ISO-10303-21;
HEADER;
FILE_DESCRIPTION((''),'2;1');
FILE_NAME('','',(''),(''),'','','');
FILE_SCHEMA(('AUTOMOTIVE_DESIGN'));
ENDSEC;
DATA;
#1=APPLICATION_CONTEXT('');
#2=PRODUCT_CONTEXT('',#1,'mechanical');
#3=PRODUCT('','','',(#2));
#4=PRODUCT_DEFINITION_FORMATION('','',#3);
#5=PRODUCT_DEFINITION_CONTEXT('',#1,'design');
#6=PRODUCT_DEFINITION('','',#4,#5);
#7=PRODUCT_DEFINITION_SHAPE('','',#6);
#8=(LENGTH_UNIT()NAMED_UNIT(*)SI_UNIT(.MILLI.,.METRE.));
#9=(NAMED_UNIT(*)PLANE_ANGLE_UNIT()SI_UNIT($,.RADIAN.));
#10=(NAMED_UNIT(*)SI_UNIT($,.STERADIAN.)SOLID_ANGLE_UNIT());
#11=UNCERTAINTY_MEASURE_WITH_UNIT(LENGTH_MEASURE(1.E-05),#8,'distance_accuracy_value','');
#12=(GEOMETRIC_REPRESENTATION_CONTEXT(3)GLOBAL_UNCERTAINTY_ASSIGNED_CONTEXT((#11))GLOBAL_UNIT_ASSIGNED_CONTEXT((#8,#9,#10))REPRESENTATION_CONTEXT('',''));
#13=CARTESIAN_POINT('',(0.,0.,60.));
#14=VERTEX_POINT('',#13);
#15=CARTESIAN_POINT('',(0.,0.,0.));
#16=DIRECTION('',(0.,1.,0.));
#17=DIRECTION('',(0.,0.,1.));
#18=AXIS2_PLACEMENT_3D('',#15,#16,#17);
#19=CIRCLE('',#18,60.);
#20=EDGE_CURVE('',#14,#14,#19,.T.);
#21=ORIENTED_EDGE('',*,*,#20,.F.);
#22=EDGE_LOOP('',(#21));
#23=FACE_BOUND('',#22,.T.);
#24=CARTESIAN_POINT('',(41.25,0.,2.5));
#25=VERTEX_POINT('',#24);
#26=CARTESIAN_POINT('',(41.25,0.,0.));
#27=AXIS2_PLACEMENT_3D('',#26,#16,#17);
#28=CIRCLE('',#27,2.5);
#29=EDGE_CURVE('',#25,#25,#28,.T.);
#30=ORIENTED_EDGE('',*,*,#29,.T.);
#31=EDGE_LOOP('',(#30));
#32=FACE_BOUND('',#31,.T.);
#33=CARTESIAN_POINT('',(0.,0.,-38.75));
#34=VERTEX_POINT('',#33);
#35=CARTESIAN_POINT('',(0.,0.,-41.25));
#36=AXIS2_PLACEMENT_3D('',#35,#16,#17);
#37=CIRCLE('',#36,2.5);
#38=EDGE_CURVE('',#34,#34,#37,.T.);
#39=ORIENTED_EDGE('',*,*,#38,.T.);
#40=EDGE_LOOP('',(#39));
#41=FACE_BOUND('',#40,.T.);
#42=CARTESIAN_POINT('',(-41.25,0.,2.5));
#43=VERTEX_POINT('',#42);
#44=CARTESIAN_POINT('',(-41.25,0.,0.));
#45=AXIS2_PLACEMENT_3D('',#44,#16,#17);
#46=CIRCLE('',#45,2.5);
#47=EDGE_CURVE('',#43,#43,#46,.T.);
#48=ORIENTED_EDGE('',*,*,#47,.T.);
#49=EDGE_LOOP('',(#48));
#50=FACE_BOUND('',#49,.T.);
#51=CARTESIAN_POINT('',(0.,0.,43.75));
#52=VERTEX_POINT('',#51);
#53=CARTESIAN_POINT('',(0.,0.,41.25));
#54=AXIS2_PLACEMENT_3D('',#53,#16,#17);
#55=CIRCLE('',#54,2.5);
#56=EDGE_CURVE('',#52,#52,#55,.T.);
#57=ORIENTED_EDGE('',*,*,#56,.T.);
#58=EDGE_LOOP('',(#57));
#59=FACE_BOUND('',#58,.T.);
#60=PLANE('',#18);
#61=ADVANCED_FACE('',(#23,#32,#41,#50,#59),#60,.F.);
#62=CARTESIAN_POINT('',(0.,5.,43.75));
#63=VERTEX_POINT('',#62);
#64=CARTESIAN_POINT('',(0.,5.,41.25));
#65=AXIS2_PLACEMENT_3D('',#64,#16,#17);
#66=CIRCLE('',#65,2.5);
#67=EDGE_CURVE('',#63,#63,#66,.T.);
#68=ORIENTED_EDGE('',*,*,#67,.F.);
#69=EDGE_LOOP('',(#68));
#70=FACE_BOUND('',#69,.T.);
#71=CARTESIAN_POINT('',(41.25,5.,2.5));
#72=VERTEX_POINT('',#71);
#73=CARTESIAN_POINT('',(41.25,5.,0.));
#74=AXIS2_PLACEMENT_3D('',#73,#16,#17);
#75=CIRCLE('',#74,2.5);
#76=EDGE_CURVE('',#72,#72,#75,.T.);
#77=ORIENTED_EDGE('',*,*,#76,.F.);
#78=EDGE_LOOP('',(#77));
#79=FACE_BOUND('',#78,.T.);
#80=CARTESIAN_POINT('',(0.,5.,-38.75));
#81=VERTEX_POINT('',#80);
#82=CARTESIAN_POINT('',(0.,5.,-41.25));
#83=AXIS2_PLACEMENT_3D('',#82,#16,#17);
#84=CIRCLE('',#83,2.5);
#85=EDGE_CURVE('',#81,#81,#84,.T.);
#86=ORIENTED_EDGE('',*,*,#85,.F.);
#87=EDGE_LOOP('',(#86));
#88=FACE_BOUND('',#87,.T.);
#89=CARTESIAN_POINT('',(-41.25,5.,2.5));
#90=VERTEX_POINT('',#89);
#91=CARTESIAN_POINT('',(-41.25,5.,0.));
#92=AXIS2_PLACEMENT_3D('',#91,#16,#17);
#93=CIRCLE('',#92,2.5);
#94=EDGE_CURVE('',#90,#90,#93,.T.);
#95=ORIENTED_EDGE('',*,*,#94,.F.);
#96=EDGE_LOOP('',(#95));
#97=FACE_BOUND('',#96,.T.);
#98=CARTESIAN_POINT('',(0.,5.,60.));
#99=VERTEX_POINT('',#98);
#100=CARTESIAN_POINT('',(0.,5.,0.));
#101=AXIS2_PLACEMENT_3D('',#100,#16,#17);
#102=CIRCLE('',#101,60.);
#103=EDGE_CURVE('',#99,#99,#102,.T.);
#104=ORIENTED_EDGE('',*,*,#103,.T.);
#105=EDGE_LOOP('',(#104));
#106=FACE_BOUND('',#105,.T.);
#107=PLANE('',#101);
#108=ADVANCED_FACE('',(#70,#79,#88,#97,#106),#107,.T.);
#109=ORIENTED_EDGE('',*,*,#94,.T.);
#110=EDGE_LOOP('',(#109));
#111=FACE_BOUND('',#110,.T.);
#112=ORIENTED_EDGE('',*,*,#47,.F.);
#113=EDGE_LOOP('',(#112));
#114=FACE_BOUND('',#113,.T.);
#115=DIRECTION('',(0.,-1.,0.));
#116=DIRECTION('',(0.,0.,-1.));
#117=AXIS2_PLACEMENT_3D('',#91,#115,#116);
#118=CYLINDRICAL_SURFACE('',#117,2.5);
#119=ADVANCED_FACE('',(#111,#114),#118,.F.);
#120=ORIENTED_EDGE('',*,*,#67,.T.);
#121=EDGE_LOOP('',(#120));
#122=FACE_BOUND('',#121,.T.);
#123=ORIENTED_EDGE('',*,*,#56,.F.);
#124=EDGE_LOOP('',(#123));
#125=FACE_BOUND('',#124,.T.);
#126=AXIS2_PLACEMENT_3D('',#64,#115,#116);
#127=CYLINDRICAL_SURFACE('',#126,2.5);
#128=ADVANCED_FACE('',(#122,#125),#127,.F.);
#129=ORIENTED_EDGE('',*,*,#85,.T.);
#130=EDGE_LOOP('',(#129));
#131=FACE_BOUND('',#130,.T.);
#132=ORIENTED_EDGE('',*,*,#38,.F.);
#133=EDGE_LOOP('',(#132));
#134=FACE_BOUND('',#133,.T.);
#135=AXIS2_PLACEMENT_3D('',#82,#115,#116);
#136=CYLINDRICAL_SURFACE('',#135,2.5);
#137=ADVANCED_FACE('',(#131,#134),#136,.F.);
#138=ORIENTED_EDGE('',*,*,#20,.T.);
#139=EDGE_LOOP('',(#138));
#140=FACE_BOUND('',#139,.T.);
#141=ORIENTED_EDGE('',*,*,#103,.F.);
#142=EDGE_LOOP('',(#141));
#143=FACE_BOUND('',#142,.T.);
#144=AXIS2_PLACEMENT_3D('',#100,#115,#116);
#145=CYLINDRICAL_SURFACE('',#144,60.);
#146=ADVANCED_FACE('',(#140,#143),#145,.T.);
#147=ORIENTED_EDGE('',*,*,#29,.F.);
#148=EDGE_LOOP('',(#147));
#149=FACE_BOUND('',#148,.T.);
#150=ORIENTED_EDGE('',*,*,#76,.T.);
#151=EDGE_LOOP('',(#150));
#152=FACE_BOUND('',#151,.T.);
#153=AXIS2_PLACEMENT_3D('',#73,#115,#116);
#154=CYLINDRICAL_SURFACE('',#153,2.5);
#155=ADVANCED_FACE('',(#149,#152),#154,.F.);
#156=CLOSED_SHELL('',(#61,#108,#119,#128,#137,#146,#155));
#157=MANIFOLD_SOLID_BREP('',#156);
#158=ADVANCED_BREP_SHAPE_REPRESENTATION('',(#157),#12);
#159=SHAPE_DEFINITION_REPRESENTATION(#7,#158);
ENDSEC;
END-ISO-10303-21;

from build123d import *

# Parameters (mm, degrees)
SKETCH1_R           = 60
SKETCH1_R_2         = 2.5
BOSS_EXTRUDE1_DEPTH = 5


with BuildPart() as part:
    # Sketch1 → Boss-Extrude1 (new body)
    with BuildSketch(Plane(origin=(0, 0, 0), x_dir=(1, 0, 0), z_dir=(0, 1, 0))):
        Circle(SKETCH1_R)
        with Locations((0, 41.25)):
            Circle(SKETCH1_R_2, mode=Mode.SUBTRACT)
        with Locations((41.25, 0)):
            Circle(SKETCH1_R_2, mode=Mode.SUBTRACT)
        with Locations((0, -41.25)):
            Circle(SKETCH1_R_2, mode=Mode.SUBTRACT)
        with Locations((-41.25, 0)):
            Circle(SKETCH1_R_2, mode=Mode.SUBTRACT)
    extrude(amount=BOSS_EXTRUDE1_DEPTH)


solid = part.part
